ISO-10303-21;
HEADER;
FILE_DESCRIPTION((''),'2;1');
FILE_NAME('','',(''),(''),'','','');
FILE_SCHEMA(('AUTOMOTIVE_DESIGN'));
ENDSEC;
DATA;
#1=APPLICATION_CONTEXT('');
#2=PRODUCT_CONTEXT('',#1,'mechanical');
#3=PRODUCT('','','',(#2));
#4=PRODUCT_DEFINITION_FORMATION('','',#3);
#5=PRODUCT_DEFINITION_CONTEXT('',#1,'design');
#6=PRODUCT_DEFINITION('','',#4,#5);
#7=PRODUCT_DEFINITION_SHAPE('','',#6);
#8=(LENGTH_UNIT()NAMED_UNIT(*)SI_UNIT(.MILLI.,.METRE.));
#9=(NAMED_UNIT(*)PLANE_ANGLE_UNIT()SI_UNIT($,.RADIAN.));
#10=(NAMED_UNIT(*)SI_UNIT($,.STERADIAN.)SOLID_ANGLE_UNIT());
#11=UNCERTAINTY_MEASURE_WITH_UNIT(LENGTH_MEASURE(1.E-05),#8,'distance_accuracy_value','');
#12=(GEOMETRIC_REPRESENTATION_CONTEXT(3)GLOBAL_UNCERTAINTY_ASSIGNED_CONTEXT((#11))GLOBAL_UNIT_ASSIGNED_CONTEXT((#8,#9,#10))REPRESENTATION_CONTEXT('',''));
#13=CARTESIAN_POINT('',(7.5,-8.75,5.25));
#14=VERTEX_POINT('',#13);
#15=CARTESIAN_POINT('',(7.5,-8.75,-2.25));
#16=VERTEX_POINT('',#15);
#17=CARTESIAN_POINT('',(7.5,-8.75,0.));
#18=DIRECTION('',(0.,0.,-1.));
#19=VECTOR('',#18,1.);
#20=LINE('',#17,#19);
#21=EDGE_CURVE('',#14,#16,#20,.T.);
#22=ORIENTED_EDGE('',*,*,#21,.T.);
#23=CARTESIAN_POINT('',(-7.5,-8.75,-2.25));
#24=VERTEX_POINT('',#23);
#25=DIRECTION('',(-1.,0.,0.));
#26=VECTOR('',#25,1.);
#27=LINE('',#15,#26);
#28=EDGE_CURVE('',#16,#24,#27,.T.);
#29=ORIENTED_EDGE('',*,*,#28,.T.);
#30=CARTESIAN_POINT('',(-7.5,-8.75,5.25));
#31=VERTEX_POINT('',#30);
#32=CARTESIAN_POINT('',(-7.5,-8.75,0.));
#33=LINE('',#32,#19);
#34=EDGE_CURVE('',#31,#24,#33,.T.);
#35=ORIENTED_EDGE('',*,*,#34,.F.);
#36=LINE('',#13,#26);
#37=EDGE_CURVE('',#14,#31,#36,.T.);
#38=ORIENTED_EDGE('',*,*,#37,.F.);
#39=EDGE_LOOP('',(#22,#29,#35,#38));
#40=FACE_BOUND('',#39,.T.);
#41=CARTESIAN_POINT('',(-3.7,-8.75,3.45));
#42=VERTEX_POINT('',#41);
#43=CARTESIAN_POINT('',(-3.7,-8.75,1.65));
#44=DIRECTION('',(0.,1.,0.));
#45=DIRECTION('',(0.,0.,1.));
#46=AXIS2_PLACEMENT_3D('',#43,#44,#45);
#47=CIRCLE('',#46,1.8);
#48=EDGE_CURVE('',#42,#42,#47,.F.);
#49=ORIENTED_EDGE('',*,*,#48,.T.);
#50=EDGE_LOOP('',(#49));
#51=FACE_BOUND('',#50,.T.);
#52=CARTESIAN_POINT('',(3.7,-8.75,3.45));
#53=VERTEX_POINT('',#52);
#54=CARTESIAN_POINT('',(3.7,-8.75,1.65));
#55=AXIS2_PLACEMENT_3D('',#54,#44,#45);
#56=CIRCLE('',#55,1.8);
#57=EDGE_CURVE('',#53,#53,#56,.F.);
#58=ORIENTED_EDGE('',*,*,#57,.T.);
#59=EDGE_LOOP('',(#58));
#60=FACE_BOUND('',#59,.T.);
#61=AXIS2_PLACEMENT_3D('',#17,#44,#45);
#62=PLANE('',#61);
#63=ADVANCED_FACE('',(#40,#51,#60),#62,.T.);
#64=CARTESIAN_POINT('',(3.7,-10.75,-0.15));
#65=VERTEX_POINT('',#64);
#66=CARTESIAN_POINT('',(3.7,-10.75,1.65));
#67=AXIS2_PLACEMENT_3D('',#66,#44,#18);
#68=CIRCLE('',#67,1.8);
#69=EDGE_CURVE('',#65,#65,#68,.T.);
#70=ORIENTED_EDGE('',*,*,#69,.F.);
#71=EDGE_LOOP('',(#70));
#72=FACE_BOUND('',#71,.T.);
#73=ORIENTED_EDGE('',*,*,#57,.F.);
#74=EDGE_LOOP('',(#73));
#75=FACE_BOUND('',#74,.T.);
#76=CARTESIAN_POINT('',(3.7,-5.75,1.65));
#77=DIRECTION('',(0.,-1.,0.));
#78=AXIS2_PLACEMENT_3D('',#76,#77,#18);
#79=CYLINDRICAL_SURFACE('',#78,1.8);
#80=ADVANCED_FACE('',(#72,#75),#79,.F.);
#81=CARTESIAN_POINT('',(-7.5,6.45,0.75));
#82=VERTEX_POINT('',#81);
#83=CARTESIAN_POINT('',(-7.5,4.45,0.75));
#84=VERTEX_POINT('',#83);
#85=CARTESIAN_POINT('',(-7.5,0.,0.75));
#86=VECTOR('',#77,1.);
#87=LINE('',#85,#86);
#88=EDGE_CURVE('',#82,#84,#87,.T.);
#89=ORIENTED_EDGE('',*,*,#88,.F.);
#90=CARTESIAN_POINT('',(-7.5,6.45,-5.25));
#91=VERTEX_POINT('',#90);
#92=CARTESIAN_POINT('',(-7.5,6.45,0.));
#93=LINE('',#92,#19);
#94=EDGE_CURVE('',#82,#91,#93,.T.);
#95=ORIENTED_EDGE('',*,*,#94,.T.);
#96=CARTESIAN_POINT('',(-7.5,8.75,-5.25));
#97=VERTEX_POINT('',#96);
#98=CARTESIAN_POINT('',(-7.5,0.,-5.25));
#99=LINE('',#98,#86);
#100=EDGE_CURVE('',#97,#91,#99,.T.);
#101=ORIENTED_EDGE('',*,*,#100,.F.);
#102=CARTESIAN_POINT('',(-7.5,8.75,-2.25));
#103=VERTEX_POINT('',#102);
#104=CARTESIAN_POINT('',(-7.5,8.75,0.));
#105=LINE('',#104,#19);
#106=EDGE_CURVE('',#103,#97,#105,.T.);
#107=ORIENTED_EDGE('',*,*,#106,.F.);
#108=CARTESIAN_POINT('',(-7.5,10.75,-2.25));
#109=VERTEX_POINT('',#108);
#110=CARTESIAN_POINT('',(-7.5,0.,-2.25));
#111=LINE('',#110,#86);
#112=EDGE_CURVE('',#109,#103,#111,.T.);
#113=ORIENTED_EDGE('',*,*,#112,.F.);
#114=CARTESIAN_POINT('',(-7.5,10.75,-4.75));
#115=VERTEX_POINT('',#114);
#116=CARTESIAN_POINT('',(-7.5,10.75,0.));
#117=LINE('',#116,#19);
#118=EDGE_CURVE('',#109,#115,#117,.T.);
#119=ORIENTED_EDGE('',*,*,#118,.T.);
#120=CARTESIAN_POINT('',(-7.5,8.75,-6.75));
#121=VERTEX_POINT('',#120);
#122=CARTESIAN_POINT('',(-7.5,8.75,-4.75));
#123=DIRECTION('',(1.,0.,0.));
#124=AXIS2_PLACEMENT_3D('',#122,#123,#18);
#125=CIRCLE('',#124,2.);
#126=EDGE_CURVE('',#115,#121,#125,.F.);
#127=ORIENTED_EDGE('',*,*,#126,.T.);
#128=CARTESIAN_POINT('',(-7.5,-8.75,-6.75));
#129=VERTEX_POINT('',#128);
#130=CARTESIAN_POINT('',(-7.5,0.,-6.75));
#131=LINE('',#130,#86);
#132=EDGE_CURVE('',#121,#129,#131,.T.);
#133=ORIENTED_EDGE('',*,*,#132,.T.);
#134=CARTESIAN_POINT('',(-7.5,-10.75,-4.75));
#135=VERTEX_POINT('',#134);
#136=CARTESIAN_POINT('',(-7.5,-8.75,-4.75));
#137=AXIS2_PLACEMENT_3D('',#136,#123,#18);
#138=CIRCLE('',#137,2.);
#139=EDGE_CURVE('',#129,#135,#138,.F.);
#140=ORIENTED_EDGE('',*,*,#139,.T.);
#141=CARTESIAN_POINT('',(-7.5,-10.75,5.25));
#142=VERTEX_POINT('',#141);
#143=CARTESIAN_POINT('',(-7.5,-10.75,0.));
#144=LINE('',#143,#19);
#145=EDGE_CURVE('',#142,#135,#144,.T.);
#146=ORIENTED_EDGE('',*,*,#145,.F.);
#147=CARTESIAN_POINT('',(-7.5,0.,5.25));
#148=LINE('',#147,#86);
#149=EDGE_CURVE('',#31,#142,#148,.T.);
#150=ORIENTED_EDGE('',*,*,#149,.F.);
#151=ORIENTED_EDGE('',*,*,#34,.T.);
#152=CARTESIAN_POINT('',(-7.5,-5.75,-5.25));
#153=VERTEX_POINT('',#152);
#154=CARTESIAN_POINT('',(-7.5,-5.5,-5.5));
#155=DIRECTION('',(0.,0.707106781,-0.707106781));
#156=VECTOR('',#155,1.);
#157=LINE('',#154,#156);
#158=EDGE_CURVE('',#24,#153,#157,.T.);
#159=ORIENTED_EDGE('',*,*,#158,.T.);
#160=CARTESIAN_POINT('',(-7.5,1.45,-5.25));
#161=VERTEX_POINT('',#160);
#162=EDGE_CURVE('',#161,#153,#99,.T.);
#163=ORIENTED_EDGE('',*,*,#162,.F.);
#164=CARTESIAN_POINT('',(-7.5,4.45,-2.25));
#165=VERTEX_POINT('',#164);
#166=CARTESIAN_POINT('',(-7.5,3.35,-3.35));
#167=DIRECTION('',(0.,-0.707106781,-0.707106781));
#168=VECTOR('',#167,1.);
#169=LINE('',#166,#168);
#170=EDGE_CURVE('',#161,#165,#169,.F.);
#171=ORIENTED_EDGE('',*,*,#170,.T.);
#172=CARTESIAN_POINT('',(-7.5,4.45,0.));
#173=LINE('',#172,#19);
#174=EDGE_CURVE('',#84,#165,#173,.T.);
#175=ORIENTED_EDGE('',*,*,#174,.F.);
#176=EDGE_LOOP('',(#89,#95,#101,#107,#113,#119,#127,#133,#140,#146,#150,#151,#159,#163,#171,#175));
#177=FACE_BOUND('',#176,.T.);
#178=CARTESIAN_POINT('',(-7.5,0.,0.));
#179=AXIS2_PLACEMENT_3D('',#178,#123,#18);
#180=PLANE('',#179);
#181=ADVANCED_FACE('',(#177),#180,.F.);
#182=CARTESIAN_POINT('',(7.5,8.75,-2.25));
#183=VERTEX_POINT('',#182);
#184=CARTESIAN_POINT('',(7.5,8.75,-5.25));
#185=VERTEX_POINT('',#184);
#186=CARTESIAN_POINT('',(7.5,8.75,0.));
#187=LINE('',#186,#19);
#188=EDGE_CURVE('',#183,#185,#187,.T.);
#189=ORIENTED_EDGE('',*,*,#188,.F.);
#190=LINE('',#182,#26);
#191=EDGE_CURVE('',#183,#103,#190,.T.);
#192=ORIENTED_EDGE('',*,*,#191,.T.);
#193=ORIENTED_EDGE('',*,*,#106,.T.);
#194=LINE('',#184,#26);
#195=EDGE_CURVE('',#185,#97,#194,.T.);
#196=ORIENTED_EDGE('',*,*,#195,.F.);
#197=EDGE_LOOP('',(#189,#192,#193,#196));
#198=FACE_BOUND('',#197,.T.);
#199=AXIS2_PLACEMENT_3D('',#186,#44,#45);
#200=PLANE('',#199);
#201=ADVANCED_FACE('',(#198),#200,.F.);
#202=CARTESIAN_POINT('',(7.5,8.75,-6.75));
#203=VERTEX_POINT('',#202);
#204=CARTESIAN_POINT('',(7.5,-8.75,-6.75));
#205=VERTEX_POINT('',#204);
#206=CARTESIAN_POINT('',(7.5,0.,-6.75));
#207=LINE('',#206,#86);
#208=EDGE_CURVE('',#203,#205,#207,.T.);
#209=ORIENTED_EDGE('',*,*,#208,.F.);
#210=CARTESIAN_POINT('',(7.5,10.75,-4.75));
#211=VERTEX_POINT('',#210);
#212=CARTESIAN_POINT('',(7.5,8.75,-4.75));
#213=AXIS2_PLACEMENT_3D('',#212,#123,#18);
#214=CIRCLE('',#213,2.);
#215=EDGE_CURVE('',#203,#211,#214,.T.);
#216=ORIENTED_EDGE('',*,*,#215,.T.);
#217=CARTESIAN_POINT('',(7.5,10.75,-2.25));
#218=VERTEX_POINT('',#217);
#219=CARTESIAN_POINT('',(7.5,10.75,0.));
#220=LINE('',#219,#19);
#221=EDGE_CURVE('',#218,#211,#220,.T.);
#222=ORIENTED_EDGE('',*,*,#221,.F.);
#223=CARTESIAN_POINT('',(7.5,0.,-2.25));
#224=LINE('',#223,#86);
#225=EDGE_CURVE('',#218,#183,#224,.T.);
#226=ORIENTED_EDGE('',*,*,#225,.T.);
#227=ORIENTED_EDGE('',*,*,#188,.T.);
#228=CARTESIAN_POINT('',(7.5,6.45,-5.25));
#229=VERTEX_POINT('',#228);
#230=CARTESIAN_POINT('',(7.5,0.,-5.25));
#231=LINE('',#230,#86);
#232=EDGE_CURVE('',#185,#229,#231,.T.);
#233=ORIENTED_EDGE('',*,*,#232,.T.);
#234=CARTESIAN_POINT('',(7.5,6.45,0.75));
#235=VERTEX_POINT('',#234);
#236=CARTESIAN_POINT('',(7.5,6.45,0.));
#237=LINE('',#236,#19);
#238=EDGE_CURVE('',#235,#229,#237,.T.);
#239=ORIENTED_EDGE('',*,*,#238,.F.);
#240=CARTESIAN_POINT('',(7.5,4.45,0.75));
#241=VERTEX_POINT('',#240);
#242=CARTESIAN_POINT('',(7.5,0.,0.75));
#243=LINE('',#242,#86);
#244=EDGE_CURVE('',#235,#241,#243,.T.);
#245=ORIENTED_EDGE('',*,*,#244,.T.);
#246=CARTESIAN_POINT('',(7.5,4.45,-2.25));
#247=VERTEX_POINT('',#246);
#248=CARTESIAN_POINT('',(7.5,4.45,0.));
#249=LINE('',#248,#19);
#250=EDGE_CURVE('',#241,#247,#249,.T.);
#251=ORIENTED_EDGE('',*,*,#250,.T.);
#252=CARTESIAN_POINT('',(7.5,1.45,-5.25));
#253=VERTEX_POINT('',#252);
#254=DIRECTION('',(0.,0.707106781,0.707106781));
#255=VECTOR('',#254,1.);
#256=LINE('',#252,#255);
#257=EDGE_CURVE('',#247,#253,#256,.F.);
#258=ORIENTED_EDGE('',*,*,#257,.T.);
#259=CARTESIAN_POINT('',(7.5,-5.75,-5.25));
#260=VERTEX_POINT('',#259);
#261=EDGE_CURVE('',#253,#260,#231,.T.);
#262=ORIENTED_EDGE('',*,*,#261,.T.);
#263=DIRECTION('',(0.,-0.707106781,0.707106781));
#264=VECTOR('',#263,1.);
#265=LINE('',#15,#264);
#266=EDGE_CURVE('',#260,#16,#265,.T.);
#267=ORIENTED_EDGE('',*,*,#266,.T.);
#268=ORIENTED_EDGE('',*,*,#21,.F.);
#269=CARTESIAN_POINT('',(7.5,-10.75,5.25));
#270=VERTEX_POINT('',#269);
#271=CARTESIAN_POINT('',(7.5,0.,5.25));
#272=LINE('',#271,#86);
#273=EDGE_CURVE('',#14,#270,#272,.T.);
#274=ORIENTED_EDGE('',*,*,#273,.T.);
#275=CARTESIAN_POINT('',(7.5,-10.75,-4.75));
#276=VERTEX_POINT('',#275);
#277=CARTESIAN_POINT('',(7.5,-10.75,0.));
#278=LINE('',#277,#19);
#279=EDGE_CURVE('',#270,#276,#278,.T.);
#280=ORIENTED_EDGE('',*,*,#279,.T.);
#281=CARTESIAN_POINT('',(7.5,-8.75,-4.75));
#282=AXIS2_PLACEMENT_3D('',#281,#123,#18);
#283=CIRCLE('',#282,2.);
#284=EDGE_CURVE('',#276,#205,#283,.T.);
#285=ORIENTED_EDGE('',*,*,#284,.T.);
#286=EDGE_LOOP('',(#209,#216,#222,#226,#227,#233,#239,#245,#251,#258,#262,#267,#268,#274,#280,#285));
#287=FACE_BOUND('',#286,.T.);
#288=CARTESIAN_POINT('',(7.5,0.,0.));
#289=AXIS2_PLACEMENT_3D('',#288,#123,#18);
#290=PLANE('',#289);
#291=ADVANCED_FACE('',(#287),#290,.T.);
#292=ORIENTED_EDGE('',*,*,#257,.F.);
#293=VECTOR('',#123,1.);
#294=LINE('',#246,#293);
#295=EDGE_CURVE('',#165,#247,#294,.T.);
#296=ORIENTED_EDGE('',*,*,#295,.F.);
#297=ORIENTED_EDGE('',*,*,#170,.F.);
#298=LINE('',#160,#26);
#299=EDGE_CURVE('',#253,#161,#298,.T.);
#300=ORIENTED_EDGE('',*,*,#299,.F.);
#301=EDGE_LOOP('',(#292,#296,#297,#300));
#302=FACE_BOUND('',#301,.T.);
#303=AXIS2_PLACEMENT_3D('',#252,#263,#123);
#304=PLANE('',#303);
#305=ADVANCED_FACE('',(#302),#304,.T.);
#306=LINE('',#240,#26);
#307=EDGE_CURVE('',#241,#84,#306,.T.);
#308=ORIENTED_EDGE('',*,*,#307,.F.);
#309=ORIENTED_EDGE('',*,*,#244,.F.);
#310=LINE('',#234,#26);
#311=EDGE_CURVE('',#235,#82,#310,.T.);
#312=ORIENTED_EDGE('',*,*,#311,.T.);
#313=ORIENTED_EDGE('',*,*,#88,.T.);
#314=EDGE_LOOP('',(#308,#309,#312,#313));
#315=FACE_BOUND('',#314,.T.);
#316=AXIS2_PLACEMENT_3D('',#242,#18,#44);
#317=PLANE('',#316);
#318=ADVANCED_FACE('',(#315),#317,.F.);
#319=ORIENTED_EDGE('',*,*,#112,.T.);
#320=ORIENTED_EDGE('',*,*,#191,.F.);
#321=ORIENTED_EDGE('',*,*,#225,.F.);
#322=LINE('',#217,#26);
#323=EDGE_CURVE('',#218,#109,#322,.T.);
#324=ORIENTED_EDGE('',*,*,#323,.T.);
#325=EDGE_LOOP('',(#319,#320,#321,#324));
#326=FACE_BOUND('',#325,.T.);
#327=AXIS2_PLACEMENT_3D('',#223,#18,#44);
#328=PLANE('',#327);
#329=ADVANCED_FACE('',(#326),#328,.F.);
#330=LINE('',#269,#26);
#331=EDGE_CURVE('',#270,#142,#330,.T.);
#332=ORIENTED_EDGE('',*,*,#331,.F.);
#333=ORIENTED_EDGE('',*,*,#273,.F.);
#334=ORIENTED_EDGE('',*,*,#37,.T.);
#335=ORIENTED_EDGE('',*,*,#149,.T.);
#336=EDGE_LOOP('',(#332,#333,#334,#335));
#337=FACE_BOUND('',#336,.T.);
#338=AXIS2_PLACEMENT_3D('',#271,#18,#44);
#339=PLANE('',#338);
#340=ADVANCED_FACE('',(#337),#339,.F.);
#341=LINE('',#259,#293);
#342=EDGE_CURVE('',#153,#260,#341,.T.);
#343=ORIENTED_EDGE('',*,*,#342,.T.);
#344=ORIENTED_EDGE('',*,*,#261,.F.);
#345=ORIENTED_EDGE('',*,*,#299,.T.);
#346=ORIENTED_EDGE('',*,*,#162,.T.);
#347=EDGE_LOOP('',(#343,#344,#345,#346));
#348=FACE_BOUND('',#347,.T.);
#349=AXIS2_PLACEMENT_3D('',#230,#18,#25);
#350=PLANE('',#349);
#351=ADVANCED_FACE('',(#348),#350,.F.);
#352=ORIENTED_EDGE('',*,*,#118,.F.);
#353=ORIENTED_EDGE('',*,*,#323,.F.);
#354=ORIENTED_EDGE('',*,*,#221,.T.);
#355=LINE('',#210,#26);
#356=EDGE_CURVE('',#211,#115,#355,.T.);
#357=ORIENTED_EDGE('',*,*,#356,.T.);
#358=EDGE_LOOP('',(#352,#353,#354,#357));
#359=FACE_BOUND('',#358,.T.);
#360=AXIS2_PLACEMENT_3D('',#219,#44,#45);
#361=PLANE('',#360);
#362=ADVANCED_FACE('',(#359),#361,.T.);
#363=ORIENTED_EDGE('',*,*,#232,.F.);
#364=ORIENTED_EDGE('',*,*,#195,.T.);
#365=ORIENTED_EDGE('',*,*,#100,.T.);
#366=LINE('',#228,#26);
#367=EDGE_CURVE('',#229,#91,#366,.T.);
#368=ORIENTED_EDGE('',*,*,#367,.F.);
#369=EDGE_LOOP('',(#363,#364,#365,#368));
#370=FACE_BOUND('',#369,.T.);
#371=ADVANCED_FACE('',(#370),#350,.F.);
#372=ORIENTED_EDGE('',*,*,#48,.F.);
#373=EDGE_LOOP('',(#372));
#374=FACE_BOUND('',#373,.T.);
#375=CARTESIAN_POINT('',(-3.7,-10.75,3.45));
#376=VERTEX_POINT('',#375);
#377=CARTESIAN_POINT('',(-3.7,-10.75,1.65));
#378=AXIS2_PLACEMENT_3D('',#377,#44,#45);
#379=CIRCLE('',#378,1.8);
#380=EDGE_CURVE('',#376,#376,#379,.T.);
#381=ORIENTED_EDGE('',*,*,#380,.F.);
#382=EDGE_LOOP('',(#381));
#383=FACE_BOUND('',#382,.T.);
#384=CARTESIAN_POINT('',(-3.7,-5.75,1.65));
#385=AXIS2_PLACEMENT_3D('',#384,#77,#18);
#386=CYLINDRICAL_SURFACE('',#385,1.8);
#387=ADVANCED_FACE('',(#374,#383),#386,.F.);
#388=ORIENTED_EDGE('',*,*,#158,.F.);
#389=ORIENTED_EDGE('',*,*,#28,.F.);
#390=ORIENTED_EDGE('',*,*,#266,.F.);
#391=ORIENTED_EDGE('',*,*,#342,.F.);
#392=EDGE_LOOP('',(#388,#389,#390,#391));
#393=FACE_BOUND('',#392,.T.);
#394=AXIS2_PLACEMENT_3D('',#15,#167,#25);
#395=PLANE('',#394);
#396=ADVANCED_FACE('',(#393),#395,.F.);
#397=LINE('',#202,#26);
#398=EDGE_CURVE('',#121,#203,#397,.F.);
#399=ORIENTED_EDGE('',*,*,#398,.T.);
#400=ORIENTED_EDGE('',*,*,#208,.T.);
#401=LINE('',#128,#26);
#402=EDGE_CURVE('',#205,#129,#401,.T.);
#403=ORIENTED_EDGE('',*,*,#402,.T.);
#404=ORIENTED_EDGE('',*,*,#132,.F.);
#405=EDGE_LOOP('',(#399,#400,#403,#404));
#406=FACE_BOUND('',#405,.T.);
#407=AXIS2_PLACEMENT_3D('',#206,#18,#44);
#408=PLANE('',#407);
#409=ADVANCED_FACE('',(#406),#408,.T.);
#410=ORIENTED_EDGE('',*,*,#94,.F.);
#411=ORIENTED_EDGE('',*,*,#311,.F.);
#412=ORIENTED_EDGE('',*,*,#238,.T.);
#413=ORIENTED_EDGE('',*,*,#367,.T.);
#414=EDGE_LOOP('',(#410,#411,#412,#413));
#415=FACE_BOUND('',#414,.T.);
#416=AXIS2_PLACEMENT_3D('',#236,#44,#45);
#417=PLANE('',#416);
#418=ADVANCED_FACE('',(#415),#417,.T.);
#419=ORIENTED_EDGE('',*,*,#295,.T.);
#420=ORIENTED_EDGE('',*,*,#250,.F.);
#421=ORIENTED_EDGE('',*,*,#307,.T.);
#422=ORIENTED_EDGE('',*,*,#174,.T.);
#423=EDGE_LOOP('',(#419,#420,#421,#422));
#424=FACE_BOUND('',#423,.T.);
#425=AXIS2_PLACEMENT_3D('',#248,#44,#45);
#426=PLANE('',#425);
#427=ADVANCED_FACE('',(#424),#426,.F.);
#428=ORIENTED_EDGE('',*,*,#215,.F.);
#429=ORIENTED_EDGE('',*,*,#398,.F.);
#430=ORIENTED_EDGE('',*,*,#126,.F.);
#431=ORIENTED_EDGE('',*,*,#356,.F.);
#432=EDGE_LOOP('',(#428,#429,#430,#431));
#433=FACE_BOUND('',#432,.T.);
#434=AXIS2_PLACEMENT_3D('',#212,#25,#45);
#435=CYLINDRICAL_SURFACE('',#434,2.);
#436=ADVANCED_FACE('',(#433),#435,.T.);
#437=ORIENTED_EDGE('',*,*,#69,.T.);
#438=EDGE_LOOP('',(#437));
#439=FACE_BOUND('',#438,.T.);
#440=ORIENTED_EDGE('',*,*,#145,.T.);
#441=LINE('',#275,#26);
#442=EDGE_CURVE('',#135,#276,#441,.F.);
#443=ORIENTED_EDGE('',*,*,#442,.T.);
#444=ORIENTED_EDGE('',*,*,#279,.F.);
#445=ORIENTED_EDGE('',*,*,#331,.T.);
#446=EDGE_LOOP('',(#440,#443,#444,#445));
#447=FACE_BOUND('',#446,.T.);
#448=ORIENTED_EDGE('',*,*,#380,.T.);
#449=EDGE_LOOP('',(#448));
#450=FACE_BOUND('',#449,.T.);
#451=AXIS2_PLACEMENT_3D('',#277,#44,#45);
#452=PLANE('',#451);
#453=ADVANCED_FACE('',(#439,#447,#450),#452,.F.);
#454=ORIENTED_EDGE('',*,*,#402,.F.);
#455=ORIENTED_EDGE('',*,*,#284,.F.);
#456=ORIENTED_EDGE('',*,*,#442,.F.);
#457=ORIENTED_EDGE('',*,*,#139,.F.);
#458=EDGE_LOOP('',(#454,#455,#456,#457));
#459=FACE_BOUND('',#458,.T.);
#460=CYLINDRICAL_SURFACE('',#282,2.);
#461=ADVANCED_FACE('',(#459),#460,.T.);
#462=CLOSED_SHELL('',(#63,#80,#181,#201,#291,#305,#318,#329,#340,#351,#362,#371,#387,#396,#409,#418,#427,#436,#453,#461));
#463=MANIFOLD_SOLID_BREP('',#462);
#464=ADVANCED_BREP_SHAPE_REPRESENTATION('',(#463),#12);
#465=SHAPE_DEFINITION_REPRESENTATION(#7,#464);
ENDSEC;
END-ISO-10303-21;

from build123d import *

# Parameters (mm, degrees)
BOSS_EXTRUDE1_DEPTH     = 7.5
CHAMFER1_SIZE           = 3
SKETCH2_R               = 1.8
CUT_EXTRUDE1_DEPTH      = 3
CUT_EXTRUDE1_DEPTH_BACK = 3
FILLET1_R               = 2


with BuildPart() as part:
    # Sketch1 → Boss-Extrude1 (new body, symmetric)
    with BuildSketch(Plane(origin=(0, 0, 0), x_dir=(0, 0, -1), z_dir=(1, 0, 0))):
        Polygon((-5.25, -8.75), (-5.25, -10.75), (6.75, -10.75), (6.75, 10.75), (2.25, 10.75), (2.25, 8.75), (5.25, 8.75), (5.25, 6.45), (-0.75, 6.45), (-0.75, 4.45), (5.25, 4.45), (5.25, -8.75), align=None)
    extrude(amount=BOSS_EXTRUDE1_DEPTH, both=True)

    # Chamfer1
    chamfer1_edges = [part.edges().sort_by_distance(p)[0] for p in [
        (0, -8.75, -5.25),
        (0, 4.45, -5.25),
    ]]
    chamfer(chamfer1_edges, length=CHAMFER1_SIZE)

    # Sketch2 → Cut-Extrude1 (cut, two sides)
    with BuildSketch(Plane(origin=(0, -8.75, 0), x_dir=(1, 0, 0), z_dir=(0, 1, 0))) as cut_extrude1_sk:
        with Locations((-3.7, -1.65)):
            Circle(SKETCH2_R)
        with Locations((3.7, -1.65)):
            Circle(SKETCH2_R)
    extrude(amount=CUT_EXTRUDE1_DEPTH, mode=Mode.SUBTRACT)
    extrude(cut_extrude1_sk.sketch, amount=-CUT_EXTRUDE1_DEPTH_BACK, mode=Mode.SUBTRACT)

    # Fillet1
    fillet1_edges = [part.edges().sort_by_distance(p)[0] for p in [
        (0, 10.75, -6.75),
        (0, -10.75, -6.75),
    ]]
    fillet(fillet1_edges, radius=FILLET1_R)


solid = part.part
